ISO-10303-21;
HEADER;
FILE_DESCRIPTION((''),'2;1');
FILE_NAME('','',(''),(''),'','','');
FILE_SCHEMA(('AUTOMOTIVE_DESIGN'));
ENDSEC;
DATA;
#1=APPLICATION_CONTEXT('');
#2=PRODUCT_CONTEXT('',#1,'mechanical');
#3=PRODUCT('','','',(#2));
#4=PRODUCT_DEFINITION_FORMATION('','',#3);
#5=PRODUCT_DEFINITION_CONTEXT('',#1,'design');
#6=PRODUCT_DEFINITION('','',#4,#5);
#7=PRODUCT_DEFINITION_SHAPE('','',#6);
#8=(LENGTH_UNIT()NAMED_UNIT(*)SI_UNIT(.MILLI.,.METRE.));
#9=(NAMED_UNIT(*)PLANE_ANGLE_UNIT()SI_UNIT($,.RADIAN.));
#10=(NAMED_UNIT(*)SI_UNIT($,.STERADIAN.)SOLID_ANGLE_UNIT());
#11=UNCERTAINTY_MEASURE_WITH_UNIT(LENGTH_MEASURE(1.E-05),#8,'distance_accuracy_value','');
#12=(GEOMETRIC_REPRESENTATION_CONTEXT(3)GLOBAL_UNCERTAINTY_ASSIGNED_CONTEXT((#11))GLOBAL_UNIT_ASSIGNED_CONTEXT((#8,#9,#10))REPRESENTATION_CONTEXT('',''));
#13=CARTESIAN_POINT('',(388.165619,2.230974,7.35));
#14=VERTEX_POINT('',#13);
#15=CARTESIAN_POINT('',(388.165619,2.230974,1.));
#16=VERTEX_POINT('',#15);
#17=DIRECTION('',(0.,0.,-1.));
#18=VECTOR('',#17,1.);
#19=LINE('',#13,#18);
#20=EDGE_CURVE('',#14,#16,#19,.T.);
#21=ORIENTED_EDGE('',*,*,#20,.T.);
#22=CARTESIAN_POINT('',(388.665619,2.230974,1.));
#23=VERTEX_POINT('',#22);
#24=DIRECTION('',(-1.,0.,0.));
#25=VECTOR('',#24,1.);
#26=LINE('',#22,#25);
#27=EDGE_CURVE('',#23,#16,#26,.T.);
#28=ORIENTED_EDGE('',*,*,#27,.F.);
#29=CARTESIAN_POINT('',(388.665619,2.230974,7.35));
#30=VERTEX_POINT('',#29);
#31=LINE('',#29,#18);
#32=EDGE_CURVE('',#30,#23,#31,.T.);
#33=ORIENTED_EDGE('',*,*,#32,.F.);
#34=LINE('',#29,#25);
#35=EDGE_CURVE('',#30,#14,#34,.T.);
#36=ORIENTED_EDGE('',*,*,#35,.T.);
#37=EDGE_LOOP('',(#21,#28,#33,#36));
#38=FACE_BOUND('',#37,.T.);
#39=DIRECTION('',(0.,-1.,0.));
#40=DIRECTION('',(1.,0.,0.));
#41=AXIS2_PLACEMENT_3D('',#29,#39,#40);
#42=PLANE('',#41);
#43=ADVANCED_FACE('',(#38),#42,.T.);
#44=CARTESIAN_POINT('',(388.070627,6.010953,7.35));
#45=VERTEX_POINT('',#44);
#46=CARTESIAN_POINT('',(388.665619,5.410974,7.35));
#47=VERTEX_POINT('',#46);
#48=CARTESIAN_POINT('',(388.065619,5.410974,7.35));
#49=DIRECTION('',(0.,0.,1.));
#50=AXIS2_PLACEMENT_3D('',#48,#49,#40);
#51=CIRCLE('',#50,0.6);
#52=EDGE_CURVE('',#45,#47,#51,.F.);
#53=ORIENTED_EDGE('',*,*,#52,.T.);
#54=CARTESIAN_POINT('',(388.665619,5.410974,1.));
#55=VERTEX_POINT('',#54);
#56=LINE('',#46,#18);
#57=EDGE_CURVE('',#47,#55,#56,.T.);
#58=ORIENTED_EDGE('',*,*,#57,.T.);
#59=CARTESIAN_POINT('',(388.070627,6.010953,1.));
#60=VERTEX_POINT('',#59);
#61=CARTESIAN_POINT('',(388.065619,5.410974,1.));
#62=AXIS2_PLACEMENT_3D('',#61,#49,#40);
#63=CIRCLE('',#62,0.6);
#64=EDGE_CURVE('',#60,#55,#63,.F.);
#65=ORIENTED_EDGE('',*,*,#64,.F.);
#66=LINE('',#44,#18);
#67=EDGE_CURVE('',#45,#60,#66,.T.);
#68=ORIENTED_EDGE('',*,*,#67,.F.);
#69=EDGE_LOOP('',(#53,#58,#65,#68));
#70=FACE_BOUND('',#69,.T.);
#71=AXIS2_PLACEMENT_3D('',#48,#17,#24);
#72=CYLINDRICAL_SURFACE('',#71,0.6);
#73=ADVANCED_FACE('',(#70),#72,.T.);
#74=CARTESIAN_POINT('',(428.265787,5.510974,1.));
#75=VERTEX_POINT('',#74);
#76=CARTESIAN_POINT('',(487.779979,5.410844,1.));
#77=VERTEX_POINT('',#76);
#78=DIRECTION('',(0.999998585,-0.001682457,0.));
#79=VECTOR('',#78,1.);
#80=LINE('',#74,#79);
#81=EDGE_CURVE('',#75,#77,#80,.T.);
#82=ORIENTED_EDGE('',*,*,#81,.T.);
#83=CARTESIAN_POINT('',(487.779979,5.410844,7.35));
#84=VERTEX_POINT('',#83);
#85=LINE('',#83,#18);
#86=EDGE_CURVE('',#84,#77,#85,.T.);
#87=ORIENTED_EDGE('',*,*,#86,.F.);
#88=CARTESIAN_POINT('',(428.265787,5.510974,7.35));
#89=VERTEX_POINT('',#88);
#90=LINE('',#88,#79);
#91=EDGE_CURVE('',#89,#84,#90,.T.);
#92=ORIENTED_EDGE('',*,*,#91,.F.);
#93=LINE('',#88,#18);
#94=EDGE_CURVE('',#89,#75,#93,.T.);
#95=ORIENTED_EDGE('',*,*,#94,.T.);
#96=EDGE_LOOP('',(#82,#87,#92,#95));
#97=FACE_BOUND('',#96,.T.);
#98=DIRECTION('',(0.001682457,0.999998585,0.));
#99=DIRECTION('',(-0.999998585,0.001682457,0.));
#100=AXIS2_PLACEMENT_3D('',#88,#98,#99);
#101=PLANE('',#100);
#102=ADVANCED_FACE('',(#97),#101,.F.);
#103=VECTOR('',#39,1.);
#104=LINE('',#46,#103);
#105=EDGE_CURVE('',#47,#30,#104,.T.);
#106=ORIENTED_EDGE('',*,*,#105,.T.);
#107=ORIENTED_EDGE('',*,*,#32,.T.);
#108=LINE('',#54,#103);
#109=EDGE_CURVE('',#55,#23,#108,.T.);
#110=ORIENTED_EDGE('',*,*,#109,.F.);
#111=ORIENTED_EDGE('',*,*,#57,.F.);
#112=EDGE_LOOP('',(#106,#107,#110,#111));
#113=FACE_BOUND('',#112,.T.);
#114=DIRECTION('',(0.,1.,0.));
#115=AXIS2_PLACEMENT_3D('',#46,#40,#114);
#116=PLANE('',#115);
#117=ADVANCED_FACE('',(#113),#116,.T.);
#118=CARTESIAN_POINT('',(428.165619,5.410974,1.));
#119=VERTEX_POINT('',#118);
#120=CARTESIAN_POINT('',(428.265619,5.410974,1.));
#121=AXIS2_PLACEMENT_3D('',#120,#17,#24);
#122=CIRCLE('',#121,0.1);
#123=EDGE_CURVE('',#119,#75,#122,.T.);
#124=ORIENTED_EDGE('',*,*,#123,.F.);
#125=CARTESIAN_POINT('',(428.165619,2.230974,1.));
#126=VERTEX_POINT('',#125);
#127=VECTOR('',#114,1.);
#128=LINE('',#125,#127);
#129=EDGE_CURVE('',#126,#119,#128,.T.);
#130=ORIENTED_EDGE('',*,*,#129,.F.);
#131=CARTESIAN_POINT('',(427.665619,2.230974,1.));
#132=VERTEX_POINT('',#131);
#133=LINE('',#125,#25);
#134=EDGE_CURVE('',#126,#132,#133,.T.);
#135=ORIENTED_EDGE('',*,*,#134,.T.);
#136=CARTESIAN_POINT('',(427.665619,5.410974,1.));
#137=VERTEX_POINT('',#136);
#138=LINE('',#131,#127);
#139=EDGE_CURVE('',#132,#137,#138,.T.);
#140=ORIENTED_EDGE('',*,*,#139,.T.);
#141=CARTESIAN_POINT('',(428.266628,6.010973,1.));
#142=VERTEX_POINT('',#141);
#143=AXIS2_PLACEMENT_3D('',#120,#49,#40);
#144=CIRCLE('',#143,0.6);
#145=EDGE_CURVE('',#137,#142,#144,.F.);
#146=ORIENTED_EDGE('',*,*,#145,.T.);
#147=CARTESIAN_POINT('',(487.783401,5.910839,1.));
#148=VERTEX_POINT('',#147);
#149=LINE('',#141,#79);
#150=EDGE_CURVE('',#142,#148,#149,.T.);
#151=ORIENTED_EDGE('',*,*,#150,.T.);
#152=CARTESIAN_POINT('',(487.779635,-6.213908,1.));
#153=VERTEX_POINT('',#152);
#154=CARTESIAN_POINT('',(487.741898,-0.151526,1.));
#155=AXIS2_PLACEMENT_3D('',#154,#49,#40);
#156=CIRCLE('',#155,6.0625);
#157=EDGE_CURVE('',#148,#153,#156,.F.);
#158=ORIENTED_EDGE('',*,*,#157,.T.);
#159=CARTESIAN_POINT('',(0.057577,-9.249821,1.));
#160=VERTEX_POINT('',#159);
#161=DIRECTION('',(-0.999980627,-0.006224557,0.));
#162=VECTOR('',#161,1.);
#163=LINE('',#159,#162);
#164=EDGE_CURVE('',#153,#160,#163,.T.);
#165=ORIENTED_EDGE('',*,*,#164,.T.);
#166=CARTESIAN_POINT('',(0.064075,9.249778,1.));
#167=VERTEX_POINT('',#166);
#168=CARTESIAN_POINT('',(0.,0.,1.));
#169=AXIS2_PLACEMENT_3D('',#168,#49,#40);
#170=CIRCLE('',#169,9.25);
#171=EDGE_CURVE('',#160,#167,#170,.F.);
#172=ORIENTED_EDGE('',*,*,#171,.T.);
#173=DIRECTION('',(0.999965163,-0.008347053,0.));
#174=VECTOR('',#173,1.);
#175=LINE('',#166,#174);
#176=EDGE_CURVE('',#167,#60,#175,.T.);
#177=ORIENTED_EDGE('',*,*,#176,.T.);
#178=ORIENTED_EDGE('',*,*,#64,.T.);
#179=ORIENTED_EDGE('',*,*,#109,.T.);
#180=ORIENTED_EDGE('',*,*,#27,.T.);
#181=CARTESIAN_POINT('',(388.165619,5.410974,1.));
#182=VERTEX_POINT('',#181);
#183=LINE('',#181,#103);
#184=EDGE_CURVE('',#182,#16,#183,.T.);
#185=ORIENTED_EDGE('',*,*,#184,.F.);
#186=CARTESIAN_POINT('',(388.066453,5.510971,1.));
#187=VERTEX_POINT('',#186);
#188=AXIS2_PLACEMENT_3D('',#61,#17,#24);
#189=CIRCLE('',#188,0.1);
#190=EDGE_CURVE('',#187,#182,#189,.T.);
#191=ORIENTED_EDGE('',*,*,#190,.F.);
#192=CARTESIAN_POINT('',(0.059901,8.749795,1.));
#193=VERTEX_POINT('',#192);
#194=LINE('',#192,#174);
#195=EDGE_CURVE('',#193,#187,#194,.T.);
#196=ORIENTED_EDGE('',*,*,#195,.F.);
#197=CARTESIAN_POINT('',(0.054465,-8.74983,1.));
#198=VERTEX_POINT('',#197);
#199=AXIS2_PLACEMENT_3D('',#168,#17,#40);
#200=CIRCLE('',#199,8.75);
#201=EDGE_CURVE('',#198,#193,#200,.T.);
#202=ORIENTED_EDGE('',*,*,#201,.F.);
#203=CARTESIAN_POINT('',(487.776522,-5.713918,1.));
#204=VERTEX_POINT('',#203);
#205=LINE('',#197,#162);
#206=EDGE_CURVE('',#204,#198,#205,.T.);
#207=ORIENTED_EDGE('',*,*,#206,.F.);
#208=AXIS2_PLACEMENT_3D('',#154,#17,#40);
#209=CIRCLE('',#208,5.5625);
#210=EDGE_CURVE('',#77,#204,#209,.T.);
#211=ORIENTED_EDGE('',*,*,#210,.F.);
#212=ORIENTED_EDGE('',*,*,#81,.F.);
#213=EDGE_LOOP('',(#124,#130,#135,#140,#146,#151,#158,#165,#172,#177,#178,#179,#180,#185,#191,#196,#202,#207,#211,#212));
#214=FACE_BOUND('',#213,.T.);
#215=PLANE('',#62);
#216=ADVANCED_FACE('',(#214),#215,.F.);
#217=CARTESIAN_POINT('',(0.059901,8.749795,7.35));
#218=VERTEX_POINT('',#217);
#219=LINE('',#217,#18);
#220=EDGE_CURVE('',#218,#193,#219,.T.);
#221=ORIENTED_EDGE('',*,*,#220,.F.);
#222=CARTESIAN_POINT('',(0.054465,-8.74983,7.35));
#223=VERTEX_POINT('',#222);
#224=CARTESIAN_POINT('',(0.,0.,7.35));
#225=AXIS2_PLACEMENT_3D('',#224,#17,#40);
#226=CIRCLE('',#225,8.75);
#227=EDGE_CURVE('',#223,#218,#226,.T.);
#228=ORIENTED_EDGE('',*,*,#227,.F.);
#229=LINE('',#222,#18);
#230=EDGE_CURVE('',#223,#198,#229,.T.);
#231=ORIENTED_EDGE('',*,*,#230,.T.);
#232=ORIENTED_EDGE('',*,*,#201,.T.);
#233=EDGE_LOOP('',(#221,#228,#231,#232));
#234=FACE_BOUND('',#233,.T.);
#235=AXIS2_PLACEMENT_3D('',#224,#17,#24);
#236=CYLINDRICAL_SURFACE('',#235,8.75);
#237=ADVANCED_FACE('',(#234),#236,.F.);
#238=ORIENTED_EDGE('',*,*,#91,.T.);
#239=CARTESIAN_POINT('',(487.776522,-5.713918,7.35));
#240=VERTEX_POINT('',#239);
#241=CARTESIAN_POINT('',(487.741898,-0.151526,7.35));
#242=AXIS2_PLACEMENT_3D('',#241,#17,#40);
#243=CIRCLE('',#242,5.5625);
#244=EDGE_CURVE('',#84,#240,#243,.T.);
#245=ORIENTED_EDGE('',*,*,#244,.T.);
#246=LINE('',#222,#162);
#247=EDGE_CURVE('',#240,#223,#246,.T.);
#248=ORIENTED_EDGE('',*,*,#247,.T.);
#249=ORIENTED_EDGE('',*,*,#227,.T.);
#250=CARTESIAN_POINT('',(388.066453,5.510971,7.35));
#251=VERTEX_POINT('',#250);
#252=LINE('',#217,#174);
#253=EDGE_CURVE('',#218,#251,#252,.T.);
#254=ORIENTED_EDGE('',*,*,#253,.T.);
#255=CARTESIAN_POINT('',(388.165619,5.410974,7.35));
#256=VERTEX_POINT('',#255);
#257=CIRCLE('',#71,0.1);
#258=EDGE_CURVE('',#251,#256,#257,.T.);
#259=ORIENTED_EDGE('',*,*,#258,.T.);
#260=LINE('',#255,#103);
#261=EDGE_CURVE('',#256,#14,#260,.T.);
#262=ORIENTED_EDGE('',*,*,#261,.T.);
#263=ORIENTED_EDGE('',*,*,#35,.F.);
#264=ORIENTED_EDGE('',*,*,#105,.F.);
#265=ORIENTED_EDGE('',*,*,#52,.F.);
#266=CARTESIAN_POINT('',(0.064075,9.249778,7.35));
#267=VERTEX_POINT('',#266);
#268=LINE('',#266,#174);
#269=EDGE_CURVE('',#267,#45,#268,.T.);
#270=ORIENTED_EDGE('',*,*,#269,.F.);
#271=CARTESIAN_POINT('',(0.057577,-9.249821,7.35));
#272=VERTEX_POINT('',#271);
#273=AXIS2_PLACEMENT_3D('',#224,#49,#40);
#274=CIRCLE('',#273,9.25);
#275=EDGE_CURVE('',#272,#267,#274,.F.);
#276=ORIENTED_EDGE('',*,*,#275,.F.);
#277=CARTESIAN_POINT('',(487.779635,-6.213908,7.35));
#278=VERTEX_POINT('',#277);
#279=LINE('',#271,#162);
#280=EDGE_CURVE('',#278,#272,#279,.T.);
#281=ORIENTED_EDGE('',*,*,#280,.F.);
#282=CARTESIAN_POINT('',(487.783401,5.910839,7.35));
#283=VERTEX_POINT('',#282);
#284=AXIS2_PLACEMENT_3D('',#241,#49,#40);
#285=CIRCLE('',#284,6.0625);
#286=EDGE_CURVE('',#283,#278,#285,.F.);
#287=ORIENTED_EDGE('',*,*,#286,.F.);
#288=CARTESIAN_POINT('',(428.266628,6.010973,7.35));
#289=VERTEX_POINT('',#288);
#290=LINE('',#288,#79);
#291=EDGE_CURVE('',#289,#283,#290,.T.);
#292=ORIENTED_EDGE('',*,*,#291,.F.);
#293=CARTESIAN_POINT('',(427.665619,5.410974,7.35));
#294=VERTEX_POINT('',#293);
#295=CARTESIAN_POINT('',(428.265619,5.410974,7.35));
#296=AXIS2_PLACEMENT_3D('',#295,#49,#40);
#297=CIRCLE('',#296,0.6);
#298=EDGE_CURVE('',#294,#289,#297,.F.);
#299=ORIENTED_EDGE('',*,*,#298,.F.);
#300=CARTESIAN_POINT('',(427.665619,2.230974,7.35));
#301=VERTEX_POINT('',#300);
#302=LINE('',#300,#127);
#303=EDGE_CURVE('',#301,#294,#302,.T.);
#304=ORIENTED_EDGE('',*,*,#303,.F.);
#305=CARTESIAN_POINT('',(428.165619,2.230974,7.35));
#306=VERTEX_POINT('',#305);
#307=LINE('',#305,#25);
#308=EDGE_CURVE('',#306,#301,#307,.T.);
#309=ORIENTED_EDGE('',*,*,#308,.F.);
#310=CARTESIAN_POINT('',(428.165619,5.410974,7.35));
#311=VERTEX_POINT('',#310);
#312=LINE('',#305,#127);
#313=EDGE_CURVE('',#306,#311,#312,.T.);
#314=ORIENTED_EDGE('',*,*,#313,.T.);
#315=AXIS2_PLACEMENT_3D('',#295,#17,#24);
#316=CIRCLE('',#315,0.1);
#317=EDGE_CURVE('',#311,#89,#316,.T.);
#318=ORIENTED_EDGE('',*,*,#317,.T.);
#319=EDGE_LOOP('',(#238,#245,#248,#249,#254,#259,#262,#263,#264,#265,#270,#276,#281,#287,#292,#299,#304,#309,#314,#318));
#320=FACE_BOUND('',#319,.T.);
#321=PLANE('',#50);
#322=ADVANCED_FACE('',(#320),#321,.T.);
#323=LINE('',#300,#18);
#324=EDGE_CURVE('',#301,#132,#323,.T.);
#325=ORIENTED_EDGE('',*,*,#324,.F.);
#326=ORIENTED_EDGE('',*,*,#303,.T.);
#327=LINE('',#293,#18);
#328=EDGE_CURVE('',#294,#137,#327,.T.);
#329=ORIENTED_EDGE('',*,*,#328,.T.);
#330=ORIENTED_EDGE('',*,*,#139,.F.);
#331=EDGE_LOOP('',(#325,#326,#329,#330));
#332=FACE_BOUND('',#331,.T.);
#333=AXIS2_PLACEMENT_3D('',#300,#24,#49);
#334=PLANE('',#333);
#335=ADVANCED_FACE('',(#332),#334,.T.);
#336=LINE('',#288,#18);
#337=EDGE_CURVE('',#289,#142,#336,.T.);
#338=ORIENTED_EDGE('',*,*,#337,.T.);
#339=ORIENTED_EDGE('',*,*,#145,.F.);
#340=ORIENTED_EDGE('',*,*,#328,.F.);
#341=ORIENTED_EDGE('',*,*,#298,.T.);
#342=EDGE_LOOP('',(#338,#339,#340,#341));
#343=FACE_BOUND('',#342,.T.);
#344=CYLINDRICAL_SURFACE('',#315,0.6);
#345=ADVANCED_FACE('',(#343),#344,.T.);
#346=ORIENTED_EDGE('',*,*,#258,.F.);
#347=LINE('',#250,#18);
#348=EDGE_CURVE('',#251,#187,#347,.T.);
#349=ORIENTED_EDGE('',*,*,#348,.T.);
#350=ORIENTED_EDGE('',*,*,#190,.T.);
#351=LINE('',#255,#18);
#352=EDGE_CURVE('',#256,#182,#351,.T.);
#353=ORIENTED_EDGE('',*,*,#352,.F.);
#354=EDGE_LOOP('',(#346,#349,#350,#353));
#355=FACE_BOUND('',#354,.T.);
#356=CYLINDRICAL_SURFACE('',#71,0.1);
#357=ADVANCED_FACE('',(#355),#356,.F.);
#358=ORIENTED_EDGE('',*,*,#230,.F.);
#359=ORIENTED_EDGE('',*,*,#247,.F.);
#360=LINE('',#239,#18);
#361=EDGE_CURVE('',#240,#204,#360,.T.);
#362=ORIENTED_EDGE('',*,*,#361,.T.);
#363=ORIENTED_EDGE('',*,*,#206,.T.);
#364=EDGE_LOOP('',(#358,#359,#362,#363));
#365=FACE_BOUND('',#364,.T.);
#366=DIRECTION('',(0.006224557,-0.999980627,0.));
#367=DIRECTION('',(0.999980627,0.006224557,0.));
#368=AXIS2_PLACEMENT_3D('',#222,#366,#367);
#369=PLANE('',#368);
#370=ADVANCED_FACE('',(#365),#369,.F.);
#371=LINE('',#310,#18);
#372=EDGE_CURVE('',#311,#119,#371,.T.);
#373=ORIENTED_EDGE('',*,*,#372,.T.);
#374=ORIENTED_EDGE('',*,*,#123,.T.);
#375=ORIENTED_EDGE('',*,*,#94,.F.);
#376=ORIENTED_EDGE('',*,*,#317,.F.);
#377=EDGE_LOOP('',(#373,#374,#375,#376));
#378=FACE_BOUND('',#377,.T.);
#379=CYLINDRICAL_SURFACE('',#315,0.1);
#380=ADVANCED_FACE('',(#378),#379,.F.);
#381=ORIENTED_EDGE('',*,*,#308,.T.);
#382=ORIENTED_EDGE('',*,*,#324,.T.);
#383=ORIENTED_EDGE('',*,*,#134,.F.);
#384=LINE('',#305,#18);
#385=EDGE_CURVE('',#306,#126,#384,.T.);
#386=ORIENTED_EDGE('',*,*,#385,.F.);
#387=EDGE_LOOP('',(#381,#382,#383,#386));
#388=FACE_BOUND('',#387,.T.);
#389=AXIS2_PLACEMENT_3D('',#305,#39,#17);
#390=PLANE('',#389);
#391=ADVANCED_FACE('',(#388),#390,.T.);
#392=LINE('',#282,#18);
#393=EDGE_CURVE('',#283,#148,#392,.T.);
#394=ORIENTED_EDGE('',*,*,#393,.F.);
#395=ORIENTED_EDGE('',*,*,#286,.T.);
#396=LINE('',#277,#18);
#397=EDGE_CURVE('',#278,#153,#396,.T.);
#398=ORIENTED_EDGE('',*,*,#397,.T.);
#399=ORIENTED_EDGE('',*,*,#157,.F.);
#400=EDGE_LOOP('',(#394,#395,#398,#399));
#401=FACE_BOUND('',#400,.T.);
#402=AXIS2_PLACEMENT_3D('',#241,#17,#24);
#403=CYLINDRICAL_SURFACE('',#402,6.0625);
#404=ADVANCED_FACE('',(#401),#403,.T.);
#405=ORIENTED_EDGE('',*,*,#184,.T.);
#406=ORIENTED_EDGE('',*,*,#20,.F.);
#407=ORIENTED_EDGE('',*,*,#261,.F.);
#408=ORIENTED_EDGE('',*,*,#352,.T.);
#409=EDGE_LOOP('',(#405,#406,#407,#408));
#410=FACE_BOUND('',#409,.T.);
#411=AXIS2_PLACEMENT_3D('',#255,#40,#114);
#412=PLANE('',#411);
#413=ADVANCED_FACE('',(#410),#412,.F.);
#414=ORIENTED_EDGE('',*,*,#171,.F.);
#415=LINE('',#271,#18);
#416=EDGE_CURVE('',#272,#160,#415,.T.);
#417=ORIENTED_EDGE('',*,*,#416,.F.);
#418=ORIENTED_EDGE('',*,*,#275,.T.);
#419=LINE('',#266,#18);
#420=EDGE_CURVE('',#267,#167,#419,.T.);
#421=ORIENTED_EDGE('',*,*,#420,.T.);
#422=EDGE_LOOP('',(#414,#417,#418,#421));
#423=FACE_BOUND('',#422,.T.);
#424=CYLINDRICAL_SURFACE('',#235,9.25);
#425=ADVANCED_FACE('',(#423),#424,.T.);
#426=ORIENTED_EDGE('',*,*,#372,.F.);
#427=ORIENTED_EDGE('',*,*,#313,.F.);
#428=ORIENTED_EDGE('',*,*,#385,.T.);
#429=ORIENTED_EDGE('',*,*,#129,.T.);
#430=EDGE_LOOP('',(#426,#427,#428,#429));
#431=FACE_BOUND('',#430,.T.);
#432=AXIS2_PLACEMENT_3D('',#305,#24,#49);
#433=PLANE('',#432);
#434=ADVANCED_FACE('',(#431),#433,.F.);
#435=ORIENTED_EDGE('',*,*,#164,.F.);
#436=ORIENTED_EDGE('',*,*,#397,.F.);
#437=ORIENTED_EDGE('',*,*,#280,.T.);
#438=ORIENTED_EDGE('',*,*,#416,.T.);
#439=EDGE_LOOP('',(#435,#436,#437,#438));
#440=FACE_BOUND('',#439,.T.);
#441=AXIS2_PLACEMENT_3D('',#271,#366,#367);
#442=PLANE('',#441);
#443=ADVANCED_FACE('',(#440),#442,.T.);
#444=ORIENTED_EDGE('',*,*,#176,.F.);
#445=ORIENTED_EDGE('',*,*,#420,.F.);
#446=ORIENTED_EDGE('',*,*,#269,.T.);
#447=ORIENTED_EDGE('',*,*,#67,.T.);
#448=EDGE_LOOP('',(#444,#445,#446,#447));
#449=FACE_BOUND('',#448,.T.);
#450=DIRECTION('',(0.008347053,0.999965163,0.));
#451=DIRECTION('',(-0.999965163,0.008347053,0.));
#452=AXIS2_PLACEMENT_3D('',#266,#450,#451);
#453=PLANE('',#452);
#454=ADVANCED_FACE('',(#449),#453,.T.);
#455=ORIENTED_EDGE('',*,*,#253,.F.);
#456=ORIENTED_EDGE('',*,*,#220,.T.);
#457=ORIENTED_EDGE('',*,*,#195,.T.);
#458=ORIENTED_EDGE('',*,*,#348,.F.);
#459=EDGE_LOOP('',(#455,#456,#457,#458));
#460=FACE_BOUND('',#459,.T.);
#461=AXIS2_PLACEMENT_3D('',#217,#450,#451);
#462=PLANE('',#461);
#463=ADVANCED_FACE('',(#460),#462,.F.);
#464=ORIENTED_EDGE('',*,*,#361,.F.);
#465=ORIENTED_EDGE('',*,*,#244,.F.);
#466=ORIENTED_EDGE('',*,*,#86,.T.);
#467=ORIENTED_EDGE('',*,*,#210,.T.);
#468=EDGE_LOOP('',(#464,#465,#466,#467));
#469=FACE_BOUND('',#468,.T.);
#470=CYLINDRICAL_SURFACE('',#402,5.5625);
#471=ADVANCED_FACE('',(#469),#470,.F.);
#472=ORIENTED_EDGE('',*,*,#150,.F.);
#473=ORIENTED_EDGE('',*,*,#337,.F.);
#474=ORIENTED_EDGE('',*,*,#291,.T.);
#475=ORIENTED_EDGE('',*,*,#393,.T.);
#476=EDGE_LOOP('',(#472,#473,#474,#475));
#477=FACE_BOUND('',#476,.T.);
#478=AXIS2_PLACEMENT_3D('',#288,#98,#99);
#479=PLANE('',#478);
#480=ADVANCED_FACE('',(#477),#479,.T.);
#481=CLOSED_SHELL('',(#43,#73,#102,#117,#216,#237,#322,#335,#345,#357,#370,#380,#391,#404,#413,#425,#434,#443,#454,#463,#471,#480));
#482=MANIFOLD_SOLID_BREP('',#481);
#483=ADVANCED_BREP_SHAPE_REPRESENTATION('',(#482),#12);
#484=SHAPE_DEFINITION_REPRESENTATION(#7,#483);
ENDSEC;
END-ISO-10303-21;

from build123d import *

# Parameters (mm, degrees)
EXTRUDE_THIN1_START = 1
EXTRUDE_THIN1_DEPTH = 6.35


with BuildPart() as part:
    # Sketch1 → Extrude-Thin1 (new body)
    with BuildSketch(Plane.XY.offset(EXTRUDE_THIN1_START)):
        with BuildLine():
            Line((388.165618503, 2.23097434), (388.165618503, 5.41097434))
            ThreePointArc((388.165618503, 5.41097434), (388.136623681, 5.481389287), (388.066453208, 5.510970857))
            Line((388.066453208, 5.510970857), (0.059901443, 8.749794959))
            ThreePointArc((0.059901443, 8.749794959), (-8.749999578, 0.002718342), (0.054464874, -8.749830488))
            Line((0.054464874, -8.749830488), (487.776522402, -5.713917899))
            ThreePointArc((487.776522402, -5.713917899), (493.304398035, -0.153253749), (487.779978506, 5.410843992))
            Line((487.779978506, 5.410843992), (428.265786749, 5.510974199))
            ThreePointArc((428.265786749, 5.510974199), (428.194967334, 5.481744477), (428.165618503, 5.41097434))
            Line((428.165618503, 5.41097434), (428.165618503, 2.23097434))
            Line((428.165618503, 2.23097434), (427.665618503, 2.23097434))
            Line((427.665618503, 2.23097434), (427.665618503, 5.41097434))
            ThreePointArc((427.665618503, 5.410974341), (427.841711488, 5.835595162), (428.266627977, 6.010973491))
            Line((428.266627977, 6.010973491), (487.78208283, 5.91084116))
            ThreePointArc((487.78208283, 5.91084116), (493.804398179, -0.15274976), (487.77963468, -6.213908213))
            Line((487.77963468, -6.213908213), (0.057577153, -9.249820802))
            ThreePointArc((0.057577153, -9.249820802), (-9.249999493, 0.003063934), (0.063704889, 9.249780629))
            Line((0.063704889, 9.249780629), (388.070626735, 6.010953438))
            ThreePointArc((388.070626735, 6.010953438), (388.491649569, 5.833464021), (388.665618503, 5.410974341))
            Line((388.665618503, 5.410974341), (388.665618503, 2.23097434))
            Line((388.665618503, 2.23097434), (388.165618503, 2.23097434))
        make_face()
    extrude(amount=EXTRUDE_THIN1_DEPTH)


solid = part.part
